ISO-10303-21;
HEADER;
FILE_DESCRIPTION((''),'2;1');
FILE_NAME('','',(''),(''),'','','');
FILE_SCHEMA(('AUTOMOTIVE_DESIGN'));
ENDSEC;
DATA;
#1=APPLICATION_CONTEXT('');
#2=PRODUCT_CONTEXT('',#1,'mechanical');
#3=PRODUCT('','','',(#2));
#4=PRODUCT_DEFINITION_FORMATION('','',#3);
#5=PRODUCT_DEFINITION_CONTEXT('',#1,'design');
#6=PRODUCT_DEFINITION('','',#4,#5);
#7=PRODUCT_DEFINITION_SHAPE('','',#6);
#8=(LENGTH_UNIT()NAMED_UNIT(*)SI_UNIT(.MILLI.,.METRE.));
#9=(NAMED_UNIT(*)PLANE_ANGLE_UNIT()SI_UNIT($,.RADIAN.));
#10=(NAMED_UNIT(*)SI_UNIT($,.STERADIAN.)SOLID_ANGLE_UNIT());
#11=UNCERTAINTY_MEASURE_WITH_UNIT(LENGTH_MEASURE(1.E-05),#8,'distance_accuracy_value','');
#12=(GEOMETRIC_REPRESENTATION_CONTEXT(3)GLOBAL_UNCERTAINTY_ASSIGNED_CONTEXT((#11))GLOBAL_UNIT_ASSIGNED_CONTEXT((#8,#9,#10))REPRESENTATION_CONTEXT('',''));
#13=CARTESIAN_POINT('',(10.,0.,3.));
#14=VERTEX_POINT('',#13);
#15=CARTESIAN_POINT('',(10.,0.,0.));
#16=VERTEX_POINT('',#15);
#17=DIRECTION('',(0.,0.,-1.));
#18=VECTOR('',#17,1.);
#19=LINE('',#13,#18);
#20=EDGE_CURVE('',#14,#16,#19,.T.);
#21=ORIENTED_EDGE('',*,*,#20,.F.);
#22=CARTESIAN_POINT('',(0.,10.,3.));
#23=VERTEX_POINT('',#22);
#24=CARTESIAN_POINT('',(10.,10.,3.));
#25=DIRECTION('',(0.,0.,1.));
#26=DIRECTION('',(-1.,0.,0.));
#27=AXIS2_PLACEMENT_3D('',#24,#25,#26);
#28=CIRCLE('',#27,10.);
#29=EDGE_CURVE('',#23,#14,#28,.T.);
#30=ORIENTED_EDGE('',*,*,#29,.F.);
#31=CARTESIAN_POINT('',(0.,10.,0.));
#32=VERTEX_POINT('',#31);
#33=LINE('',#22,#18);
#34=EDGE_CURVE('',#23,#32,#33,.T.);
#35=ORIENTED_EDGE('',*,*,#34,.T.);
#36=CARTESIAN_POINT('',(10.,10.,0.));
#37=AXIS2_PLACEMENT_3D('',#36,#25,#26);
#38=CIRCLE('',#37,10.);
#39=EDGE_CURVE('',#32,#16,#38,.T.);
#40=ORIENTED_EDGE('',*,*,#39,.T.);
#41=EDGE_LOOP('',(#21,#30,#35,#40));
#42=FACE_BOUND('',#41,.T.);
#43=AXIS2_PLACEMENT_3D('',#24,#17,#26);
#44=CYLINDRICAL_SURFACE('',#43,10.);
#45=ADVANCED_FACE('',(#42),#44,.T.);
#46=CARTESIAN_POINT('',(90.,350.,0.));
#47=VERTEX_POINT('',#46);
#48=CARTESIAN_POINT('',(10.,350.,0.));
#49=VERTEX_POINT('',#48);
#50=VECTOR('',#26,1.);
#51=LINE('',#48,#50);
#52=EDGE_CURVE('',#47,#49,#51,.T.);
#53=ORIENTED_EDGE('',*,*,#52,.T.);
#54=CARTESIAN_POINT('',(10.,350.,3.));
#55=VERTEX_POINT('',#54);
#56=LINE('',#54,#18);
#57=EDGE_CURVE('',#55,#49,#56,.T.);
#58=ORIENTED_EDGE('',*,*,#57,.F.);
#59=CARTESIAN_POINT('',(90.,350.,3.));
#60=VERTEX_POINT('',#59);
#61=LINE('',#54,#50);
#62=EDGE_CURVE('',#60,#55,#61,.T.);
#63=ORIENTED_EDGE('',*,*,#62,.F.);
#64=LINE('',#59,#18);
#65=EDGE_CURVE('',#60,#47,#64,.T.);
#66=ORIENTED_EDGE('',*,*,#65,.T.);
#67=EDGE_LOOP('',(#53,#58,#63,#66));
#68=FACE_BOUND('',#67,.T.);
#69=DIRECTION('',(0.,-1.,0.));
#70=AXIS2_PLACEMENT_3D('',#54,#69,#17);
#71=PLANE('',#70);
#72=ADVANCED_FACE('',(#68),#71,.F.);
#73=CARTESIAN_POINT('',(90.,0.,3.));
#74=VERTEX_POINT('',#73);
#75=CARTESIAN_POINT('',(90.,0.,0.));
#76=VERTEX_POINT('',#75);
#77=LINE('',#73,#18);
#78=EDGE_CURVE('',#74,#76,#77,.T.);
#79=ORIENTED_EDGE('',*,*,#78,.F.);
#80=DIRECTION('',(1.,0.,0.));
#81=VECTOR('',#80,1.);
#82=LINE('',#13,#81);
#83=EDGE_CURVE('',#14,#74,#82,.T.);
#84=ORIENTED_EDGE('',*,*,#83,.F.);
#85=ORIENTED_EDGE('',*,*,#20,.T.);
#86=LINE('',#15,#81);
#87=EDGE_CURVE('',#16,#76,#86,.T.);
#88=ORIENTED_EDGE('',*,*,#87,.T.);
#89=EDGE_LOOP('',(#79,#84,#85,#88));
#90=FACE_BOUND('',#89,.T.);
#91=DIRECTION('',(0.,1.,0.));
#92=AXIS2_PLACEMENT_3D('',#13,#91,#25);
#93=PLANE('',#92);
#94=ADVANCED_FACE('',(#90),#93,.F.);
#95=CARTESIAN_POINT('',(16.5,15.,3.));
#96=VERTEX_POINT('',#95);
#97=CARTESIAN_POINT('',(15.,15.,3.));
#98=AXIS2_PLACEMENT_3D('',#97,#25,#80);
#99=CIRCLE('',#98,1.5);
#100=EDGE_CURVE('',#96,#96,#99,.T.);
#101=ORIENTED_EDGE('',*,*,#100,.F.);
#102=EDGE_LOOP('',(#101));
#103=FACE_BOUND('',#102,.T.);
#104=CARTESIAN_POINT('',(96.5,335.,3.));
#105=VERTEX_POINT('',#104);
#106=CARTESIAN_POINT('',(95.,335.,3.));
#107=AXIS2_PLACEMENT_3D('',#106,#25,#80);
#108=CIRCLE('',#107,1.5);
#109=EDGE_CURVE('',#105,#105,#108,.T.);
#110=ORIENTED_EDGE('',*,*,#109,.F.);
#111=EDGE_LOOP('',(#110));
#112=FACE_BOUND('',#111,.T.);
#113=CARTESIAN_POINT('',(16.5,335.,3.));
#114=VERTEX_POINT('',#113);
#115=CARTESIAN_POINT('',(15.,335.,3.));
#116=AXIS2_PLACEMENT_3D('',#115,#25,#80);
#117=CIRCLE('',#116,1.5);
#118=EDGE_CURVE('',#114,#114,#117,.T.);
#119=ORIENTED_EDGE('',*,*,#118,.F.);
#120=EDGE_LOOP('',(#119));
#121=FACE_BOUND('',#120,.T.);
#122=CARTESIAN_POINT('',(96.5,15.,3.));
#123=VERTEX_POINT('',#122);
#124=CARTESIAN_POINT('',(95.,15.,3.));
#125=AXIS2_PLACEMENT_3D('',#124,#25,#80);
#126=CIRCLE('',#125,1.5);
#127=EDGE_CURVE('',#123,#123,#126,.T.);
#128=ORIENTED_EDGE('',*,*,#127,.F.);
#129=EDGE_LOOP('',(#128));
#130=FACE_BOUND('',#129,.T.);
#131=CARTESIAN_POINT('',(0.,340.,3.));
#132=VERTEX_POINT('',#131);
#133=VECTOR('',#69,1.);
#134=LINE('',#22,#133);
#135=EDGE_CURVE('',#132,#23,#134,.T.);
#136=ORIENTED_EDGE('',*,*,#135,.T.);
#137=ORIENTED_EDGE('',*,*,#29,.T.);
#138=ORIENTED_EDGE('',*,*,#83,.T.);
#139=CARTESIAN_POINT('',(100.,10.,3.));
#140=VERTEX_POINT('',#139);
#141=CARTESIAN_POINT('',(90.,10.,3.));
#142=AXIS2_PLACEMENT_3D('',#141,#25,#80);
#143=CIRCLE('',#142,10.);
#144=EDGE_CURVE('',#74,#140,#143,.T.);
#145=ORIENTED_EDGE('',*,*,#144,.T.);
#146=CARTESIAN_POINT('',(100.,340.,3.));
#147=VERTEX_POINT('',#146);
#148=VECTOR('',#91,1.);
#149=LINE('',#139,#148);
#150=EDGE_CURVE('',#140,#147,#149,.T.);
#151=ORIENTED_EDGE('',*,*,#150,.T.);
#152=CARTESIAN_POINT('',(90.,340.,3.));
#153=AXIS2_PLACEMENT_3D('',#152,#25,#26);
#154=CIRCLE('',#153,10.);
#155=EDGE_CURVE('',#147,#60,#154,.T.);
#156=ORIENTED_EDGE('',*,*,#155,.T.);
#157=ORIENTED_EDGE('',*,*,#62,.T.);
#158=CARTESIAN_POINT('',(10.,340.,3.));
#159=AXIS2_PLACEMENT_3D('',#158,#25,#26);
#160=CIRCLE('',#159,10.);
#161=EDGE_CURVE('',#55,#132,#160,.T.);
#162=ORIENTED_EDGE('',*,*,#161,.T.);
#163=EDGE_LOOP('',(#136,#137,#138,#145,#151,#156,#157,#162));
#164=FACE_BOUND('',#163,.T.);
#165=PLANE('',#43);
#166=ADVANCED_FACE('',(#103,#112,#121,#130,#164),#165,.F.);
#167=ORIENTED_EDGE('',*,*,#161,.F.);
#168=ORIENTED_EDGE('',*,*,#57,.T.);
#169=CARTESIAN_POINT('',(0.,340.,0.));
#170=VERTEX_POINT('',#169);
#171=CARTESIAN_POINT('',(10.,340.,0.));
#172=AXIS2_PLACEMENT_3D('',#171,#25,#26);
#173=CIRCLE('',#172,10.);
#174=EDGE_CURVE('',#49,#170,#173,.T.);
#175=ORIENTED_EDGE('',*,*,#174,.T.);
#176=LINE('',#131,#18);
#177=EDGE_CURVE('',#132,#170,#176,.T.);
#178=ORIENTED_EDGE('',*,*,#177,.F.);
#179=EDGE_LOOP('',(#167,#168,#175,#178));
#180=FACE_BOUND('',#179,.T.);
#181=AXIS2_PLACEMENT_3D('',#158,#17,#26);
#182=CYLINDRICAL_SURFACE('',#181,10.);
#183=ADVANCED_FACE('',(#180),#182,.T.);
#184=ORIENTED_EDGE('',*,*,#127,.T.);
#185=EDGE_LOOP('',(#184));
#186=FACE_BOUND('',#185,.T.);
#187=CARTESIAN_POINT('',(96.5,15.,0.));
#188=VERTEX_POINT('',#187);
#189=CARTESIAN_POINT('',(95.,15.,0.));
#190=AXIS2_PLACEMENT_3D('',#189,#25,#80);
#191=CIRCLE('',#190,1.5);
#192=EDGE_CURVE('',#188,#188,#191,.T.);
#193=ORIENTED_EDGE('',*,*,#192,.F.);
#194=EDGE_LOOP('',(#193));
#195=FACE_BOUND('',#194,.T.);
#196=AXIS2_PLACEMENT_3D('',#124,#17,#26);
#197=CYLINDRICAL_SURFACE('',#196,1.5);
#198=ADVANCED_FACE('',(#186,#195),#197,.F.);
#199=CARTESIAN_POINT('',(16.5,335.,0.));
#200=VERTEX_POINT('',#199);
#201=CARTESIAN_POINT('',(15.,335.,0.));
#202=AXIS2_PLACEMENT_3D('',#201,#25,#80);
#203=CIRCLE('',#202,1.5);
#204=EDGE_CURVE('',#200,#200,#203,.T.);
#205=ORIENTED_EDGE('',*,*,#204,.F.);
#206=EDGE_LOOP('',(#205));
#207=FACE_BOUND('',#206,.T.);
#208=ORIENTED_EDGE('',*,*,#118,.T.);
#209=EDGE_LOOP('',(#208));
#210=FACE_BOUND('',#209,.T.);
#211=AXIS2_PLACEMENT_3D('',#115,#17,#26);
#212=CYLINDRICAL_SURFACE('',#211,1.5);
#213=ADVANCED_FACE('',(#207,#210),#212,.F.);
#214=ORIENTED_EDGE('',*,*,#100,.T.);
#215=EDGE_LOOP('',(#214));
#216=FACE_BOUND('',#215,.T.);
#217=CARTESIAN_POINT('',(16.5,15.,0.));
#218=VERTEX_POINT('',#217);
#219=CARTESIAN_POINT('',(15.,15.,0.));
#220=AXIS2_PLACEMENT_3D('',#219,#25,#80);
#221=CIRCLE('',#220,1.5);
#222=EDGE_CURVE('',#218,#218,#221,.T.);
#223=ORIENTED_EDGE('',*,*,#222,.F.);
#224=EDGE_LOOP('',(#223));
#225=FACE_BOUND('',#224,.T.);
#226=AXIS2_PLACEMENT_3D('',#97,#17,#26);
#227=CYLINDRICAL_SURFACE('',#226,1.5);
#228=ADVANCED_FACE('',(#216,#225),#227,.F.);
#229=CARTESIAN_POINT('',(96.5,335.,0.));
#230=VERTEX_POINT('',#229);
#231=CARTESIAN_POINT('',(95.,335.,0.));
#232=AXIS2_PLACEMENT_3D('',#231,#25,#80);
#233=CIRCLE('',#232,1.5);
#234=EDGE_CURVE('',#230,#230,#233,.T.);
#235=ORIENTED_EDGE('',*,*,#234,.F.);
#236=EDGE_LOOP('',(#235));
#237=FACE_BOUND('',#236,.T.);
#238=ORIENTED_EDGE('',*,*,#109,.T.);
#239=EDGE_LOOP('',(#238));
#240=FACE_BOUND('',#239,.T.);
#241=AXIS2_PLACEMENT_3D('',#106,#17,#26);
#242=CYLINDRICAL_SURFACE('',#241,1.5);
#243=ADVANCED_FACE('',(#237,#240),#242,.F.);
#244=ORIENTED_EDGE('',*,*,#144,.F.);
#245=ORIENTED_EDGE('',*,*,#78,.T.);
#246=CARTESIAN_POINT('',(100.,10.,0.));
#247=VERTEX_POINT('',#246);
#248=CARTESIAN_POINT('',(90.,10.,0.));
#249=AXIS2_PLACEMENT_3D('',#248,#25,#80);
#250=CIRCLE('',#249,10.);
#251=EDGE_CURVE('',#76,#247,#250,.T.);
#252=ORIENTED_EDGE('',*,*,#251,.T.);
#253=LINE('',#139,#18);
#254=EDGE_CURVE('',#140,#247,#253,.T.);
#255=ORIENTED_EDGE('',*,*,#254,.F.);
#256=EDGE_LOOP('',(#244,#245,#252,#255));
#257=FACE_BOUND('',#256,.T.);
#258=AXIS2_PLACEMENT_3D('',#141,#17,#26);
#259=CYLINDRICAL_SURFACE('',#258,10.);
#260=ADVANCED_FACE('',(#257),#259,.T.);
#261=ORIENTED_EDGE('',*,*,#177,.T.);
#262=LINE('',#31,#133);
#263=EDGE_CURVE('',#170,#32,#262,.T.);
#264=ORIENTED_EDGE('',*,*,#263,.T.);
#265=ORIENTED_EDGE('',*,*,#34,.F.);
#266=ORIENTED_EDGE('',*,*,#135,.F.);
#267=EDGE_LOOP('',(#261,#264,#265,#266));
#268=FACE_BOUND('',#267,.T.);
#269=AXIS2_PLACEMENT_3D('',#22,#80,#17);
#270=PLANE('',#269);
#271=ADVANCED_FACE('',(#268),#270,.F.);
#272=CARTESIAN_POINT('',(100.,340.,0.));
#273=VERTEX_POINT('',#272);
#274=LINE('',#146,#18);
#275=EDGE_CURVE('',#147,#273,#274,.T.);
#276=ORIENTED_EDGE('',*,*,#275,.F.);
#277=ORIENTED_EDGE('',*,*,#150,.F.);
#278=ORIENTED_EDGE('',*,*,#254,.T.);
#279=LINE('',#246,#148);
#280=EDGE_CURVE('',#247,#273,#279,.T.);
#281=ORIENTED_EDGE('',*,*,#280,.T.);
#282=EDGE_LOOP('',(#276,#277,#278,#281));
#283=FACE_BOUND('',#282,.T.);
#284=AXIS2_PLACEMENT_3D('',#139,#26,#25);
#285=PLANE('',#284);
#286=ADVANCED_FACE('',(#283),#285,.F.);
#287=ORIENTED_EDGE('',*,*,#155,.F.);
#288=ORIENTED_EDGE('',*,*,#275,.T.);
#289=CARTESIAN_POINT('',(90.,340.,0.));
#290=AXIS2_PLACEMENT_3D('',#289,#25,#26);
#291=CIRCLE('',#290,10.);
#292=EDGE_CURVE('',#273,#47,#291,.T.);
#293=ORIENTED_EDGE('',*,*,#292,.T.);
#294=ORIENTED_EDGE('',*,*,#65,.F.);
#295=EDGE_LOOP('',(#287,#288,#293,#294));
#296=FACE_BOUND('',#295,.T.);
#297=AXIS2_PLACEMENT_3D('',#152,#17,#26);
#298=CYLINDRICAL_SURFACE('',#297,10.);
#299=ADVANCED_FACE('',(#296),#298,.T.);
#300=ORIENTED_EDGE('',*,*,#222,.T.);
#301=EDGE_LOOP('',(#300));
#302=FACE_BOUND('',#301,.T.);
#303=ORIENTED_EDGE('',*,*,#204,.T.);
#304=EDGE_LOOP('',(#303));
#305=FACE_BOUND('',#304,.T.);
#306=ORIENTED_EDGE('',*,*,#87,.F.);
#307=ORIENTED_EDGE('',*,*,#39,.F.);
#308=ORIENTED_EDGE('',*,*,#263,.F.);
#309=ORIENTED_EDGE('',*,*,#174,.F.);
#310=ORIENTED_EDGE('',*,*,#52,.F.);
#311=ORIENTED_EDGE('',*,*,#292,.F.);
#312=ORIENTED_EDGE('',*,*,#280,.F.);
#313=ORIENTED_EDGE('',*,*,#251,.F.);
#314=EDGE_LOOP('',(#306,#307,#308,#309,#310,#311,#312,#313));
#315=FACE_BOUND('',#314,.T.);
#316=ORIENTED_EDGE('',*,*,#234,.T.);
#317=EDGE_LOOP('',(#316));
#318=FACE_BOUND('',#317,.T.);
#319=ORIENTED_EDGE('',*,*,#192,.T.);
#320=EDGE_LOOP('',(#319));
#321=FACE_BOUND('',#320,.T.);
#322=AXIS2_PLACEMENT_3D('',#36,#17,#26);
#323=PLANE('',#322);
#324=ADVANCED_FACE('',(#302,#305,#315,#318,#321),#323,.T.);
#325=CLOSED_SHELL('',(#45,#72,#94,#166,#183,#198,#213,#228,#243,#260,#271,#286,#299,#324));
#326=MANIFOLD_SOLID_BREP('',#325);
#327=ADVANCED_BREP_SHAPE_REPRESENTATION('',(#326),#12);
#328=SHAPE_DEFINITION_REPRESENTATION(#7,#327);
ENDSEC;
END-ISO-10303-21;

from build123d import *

# Parameters (mm, degrees)
ESQUISSE1_R        = 1.5
BOSS_EXTRU_1_DEPTH = 3


with BuildPart() as part:
    # Esquisse1 → Boss.-Extru.1 (new body)
    with BuildSketch(Plane.XY):
        with BuildLine():
            Line((10, 0), (90, 0))
            ThreePointArc((90, 0), (97.071067812, 2.928932188), (100, 10))
            Line((100, 10), (100, 340))
            ThreePointArc((100, 340), (97.071067812, 347.071067812), (90, 350))
            Line((90, 350), (10, 350))
            ThreePointArc((10, 350), (2.928932188, 347.071067812), (0, 340))
            Line((0, 340), (0, 10))
            ThreePointArc((0, 10), (2.928932188, 2.928932188), (10, 0))
        make_face()
        with Locations((95, 335)):
            Circle(ESQUISSE1_R, mode=Mode.SUBTRACT)
        with Locations((15, 335)):
            Circle(ESQUISSE1_R, mode=Mode.SUBTRACT)
        with Locations((95, 15)):
            Circle(ESQUISSE1_R, mode=Mode.SUBTRACT)
        with Locations((15, 15)):
            Circle(ESQUISSE1_R, mode=Mode.SUBTRACT)
    extrude(amount=BOSS_EXTRU_1_DEPTH)


solid = part.part
